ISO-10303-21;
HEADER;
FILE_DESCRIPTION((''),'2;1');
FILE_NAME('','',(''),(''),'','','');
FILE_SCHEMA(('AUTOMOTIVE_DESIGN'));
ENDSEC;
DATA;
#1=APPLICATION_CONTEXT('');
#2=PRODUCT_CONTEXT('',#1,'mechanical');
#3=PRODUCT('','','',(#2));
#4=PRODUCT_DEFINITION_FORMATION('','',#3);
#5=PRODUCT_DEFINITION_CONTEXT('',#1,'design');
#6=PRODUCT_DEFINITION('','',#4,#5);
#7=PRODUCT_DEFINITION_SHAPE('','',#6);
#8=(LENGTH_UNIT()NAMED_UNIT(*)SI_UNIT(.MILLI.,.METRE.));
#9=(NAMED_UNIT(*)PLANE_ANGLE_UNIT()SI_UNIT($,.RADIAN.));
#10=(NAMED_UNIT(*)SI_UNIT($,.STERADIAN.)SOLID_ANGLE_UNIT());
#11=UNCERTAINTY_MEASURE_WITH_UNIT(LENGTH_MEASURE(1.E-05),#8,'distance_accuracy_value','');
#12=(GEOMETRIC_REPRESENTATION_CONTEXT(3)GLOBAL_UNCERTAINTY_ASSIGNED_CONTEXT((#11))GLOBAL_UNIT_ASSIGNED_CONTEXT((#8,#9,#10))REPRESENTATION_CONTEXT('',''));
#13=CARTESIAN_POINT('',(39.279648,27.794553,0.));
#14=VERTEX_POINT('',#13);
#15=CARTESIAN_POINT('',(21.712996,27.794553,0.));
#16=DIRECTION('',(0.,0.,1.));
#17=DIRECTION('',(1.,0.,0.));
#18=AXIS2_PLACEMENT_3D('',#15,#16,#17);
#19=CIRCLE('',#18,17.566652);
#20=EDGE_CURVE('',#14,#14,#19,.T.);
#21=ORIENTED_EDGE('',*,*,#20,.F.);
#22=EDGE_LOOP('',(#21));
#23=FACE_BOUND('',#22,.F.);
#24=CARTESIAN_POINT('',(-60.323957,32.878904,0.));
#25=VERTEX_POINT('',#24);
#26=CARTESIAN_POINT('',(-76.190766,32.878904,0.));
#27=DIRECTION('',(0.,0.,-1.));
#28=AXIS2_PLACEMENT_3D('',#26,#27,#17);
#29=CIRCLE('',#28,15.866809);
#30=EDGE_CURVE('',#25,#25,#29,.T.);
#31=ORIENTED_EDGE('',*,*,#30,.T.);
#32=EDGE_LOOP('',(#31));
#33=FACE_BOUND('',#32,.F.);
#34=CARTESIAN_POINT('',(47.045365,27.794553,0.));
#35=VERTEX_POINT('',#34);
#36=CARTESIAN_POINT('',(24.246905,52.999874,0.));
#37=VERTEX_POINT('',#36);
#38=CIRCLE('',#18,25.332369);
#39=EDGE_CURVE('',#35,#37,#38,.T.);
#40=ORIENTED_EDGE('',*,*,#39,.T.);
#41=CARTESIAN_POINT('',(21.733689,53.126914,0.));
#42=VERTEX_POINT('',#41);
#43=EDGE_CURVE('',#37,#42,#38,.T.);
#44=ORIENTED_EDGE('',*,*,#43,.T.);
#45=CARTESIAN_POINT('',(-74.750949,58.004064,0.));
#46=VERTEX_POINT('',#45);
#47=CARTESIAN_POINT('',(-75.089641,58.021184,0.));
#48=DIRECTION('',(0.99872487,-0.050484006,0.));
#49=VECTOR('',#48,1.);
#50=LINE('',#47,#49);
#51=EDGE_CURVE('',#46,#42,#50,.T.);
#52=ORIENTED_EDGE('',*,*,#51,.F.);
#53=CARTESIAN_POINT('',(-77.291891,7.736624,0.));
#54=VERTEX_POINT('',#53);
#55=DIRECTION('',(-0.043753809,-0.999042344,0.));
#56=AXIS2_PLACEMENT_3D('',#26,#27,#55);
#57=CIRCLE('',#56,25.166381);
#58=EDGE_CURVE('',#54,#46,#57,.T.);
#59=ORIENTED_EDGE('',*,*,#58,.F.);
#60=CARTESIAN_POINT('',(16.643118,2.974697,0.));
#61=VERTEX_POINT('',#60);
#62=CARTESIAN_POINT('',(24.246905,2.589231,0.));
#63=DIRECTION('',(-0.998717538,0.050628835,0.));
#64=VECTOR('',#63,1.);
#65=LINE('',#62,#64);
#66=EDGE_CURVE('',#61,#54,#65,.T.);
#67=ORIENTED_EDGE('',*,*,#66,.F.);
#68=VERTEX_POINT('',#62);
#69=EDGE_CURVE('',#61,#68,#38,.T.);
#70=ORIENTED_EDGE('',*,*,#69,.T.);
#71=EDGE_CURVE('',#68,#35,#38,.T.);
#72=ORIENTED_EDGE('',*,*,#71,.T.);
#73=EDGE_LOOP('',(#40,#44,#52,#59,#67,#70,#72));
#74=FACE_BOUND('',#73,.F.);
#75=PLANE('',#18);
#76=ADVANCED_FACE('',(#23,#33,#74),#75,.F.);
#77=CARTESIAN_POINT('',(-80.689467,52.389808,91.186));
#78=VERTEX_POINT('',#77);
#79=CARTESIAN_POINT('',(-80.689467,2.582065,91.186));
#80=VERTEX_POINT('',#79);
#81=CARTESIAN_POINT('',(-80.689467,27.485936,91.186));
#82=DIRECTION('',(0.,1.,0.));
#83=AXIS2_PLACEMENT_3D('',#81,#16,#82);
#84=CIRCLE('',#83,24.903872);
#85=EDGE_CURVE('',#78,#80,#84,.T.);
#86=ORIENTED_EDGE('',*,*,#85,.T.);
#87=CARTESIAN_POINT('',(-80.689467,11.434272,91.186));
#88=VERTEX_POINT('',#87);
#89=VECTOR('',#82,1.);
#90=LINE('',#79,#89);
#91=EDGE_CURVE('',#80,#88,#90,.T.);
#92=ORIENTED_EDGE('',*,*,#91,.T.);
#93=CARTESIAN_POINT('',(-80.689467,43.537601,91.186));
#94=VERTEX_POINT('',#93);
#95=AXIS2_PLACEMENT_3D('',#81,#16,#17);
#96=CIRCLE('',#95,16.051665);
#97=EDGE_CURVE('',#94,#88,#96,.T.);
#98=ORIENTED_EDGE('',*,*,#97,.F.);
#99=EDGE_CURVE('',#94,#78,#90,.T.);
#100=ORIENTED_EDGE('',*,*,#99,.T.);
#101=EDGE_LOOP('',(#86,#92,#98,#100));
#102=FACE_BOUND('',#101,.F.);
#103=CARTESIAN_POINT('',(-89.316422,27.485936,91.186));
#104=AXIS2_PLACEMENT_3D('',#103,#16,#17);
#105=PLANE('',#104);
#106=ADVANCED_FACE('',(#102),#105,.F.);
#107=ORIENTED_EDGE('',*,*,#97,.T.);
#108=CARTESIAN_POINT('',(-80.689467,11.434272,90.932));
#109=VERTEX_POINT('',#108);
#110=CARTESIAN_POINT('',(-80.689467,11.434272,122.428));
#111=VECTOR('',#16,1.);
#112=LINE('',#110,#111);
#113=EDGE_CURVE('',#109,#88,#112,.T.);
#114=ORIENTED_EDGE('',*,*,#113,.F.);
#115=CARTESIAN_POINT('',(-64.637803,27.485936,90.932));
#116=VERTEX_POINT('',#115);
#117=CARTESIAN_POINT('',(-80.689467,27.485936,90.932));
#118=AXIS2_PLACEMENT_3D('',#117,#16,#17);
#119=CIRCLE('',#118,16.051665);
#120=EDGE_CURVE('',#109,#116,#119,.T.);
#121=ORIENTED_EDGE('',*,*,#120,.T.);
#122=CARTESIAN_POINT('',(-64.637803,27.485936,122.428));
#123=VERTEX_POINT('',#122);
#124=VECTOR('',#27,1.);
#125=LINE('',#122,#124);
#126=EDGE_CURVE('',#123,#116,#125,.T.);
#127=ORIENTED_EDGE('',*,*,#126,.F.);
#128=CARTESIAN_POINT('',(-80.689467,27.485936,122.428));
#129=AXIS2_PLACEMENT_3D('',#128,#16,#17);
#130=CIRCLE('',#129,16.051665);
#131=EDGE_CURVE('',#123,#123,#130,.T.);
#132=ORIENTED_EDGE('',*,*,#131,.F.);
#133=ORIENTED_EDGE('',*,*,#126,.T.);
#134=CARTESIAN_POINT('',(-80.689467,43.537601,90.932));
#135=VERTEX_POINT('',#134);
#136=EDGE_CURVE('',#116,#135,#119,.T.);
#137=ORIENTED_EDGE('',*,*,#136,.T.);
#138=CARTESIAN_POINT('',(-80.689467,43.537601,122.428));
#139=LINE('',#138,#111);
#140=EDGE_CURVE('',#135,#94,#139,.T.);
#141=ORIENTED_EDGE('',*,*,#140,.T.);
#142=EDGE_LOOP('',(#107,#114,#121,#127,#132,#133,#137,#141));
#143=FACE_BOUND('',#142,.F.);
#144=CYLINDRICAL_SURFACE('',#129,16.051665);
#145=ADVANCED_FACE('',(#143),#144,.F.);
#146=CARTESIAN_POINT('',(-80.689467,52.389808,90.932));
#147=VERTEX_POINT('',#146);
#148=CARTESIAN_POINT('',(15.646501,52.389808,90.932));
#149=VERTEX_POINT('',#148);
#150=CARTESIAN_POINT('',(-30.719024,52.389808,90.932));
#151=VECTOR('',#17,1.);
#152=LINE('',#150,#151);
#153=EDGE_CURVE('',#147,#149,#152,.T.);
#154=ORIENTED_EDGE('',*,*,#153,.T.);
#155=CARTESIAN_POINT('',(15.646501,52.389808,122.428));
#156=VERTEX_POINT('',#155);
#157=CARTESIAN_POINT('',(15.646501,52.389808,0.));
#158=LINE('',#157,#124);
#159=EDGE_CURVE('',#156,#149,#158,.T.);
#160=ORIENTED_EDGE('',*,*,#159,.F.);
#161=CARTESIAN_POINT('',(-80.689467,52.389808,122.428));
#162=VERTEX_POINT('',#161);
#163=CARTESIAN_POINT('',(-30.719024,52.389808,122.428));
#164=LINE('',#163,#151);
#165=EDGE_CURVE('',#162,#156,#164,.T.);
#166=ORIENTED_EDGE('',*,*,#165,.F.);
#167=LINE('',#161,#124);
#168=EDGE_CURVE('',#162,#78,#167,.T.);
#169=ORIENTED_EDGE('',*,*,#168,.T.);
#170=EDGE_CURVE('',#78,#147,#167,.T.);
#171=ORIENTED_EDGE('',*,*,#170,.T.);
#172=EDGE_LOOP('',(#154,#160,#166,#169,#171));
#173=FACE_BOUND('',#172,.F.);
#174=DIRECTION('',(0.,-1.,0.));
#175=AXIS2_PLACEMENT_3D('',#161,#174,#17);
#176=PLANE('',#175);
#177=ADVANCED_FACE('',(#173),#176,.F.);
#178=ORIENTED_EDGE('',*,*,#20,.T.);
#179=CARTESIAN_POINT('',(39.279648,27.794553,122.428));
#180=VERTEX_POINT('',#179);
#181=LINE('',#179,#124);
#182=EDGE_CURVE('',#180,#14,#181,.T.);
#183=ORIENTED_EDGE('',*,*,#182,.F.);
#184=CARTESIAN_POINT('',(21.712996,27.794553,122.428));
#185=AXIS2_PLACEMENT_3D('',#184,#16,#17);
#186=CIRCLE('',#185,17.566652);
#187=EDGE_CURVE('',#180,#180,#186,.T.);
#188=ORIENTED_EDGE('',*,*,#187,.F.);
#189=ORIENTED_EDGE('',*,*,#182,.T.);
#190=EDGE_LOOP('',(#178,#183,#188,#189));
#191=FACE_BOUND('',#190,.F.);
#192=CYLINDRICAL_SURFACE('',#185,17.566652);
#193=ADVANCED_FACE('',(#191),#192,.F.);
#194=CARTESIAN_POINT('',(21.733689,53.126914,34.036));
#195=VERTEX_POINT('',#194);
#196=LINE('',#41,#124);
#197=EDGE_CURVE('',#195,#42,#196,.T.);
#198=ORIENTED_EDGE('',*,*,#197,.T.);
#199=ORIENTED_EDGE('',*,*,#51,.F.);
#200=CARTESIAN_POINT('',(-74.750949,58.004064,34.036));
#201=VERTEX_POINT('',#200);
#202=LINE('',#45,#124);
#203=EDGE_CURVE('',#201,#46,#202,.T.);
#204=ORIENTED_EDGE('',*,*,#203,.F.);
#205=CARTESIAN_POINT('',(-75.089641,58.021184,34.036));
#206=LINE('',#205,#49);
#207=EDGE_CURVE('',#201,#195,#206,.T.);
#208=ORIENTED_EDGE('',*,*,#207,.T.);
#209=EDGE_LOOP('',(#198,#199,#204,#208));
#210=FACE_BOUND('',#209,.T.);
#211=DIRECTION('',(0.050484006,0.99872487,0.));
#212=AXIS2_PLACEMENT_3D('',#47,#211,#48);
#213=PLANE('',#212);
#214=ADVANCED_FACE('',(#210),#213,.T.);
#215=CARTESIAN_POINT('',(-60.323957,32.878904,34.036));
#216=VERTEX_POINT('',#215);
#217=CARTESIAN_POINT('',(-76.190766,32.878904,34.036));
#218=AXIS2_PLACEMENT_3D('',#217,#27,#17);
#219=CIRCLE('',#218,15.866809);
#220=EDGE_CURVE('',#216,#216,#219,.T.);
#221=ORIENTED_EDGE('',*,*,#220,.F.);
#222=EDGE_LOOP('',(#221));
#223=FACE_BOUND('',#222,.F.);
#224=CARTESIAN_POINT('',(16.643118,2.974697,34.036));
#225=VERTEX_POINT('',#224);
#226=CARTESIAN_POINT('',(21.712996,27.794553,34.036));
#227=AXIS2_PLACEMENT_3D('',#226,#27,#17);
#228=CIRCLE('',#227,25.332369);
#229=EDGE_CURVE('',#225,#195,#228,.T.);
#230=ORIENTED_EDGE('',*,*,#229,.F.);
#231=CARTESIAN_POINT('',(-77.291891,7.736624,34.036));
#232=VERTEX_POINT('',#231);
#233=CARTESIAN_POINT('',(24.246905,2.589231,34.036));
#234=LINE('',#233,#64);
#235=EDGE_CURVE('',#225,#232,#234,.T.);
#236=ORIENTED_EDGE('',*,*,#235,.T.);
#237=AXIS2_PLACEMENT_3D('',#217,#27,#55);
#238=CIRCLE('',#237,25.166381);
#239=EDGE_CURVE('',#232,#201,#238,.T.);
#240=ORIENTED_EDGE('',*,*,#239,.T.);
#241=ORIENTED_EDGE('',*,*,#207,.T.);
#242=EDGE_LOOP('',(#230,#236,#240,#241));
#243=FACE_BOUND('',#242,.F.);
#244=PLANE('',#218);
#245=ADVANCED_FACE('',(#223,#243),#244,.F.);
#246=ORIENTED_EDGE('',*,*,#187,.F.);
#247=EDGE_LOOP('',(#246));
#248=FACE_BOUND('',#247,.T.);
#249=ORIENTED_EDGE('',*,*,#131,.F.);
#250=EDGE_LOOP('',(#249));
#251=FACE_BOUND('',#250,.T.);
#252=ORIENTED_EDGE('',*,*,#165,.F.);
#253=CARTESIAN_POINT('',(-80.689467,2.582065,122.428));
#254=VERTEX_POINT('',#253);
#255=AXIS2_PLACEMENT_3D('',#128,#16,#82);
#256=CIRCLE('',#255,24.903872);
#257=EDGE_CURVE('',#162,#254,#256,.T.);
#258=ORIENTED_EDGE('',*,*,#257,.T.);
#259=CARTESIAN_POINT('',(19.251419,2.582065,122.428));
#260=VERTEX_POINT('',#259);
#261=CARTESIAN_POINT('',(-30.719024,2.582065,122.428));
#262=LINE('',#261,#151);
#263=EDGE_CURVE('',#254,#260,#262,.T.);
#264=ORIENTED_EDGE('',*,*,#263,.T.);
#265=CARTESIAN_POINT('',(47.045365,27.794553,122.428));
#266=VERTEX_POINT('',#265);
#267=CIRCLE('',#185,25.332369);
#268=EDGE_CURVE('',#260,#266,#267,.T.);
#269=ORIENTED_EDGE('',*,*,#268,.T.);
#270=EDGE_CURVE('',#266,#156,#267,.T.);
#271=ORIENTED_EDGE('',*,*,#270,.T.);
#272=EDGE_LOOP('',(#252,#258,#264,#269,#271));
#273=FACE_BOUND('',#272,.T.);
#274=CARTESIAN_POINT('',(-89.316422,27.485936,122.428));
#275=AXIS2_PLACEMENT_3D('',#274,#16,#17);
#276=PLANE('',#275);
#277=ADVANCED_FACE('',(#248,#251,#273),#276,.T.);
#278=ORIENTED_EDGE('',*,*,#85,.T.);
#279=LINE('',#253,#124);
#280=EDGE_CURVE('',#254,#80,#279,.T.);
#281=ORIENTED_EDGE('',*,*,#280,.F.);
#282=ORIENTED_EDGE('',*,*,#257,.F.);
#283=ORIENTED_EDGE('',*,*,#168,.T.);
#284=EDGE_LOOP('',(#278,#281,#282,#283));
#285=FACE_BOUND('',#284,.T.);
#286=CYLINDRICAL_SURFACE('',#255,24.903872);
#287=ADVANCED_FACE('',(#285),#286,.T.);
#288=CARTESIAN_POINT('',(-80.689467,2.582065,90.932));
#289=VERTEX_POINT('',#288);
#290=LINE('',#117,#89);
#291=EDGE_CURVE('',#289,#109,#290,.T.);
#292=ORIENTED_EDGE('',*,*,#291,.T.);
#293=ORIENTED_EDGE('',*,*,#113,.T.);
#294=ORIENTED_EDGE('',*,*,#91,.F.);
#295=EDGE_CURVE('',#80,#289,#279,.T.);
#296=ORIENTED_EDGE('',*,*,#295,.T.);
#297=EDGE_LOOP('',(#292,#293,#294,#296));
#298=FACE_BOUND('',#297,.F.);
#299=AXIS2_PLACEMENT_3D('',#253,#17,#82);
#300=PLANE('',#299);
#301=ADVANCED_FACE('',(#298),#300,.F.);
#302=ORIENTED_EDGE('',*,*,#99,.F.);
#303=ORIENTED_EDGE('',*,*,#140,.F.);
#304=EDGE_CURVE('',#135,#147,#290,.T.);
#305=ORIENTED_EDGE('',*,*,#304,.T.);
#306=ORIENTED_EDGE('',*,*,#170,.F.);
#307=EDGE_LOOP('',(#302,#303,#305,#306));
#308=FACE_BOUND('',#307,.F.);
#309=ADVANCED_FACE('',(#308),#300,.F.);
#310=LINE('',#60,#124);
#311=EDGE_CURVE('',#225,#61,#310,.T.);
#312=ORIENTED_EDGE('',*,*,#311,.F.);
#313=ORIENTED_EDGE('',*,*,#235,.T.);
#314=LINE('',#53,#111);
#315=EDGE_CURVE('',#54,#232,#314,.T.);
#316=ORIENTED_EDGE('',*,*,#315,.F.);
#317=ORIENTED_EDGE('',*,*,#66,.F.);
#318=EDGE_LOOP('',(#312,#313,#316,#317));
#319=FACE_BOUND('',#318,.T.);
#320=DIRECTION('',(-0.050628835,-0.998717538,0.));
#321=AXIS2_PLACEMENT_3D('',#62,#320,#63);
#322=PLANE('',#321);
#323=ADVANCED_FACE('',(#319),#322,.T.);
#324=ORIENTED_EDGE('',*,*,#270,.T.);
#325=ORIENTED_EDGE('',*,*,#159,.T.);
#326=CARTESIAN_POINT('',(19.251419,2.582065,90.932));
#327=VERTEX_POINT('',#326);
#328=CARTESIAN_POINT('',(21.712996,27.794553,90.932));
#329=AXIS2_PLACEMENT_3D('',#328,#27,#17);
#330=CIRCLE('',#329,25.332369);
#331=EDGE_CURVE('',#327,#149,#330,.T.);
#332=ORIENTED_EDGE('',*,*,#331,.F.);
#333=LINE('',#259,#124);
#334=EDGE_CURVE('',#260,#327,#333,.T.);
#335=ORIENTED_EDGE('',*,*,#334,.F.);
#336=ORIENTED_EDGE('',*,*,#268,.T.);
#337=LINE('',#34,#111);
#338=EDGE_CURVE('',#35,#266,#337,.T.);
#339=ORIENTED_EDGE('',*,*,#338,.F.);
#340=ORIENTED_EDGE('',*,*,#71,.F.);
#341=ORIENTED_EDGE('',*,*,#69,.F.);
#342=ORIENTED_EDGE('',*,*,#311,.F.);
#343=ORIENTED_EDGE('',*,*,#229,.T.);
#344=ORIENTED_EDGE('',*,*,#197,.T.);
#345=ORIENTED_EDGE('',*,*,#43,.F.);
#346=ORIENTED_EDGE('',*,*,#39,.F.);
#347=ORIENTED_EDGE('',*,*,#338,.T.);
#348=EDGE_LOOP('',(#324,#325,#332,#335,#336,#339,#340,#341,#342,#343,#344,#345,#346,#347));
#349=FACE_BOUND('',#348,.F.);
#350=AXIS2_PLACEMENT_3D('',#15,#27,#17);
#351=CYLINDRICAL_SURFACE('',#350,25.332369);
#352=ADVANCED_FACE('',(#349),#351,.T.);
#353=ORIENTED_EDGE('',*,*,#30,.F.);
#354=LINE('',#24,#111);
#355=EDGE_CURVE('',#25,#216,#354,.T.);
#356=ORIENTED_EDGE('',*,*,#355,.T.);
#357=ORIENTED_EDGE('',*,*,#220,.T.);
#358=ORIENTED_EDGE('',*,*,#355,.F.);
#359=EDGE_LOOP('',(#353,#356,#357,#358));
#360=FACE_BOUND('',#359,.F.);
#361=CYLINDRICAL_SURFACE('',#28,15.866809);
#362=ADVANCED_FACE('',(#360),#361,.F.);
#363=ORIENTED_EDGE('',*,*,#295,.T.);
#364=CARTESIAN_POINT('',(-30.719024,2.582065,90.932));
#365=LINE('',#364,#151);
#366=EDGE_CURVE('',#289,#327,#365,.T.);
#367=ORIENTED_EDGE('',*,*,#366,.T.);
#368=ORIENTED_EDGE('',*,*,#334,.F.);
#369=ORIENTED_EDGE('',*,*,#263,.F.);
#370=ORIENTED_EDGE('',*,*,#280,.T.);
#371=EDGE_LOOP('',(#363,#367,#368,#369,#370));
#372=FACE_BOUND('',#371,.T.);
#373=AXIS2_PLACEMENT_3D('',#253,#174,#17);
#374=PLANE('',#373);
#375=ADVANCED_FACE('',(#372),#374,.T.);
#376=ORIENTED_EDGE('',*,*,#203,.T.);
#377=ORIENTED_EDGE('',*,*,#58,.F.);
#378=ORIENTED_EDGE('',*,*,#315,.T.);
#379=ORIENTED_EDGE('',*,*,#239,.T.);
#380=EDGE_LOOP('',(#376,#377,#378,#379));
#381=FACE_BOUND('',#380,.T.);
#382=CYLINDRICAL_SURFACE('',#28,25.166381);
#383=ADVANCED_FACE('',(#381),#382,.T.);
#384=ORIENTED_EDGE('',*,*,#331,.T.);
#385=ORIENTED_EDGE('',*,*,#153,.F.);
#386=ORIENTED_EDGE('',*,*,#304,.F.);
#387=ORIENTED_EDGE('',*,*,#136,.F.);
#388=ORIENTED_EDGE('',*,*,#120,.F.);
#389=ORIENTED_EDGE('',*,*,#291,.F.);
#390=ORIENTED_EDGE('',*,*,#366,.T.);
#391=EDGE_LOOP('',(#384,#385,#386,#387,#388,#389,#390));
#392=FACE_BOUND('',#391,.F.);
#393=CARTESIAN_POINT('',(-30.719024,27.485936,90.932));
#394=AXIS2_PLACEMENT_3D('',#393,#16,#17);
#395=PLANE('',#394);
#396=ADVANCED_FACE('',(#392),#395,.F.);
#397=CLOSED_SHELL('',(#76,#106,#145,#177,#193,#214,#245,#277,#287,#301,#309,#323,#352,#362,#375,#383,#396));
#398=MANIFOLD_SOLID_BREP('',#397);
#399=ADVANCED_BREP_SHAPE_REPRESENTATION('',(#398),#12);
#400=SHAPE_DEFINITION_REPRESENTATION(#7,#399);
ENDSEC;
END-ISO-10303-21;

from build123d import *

# Parameters (mm, degrees)
F0_R      = 25.332369153
F1_DEPTH  = 122.428
F3_DEPTH  = 34.036
F4_R      = 25.1663808995
F5_DEPTH  = 34.036
F6_W      = 99.9408867977
F6_H      = 49.807743342
F7_DEPTH  = 31.496
F9_DEPTH  = 31.242
F11_R     = 15.866808683
F12_DEPTH = 52.832
F10_R     = 16.051664823
F13_DEPTH = 70.104
F14_R     = 17.5666522391
F15_DEPTH = 262.382


with BuildPart() as f1:
    # F0 (on Top) → F1 (new body)
    with BuildSketch(Plane.XY):
        with Locations((21.7129960656, 27.794552967)):
            Circle(F0_R)
    extrude(amount=F1_DEPTH)

    # F2 (on face) → F3 (join)
    with BuildSketch(Plane(origin=(0, 0, 0), x_dir=(1, 0, 0), z_dir=(0, 0, -1))):
        with BuildLine():
            ThreePointArc((24.2469048948, -42.8027561924), (33.3369903631, -37.6205193104), (36.9336024271, -27.794552967))
            ThreePointArc((36.9336024271, -27.794552967), (33.3369903631, -17.9685866235), (24.2469048948, -12.7863497415))
            Line((24.2469048948, -12.7863497415), (24.2469048948, -42.8027561924))
        make_face()
        with BuildLine():
            Line((24.2469048948, -42.8027561924), (24.2469048948, -12.7863497415))
            ThreePointArc((24.2469048948, -12.7863497415), (6.4923897041, -27.794552967), (24.2469048948, -42.8027561924))
        make_face()
        with BuildLine():
            ThreePointArc((24.2469048948, -42.8027561924), (6.4923897041, -27.794552967), (24.2469048948, -12.7863497415))
            Line((24.2469048948, -12.7863497415), (24.2469048948, -2.5892314465))
            Line((24.2469048948, -2.5892314465), (-77.2918909788, -7.7366237529))
            Line((-77.2918909788, -7.7366237529), (-75.0896409154, -58.021184057))
            Line((-75.0896409154, -58.021184057), (24.2469048948, -52.9998744874))
            Line((24.2469048948, -52.9998744874), (24.2469048948, -42.8027561924))
        make_face()
        with BuildLine():
            ThreePointArc((21.7336893247, -53.1269136681), (-3.4898764651, -30.3527052507), (16.6431184636, -2.9746966417))
            Line((16.6431184636, -2.9746966417), (-77.2918909788, -7.7366237529))
            Line((-77.2918909788, -7.7366237529), (-75.0896409154, -58.021184057))
            Line((-75.0896409154, -58.021184057), (21.7336893247, -53.1269136681))
        make_face()
    extrude(amount=-F3_DEPTH)

    # F4 (on face) → F5 (join)
    with BuildSketch(Plane(origin=(0, 0, 0), x_dir=(1, 0, 0), z_dir=(0, 0, -1))):
        with Locations((-76.1907659471, -32.8789039049)):
            Circle(F4_R)
    extrude(amount=-F5_DEPTH)

    # F6 (on face) → F7 (join)
    with BuildSketch(Plane.XY.offset(122.428)):
        with Locations((-30.7190240909, 27.4859363282)):
            Rectangle(F6_W, F6_H)
    extrude(amount=-F7_DEPTH)

    # F8 (on face) → F9 (join)
    with BuildSketch(Plane.XY.offset(122.428)):
        with BuildLine():
            Line((-80.6894674897, 2.5820646572), (-80.6894674897, 52.3898079991))
            ThreePointArc((-80.6894674897, 52.3898079991), (-105.5933391607, 27.4859363282), (-80.6894674897, 2.5820646572))
        make_face()
    extrude(amount=-F9_DEPTH)

    # F11 (on face) → F12 (cut)
    with BuildSketch(Plane(origin=(0, 0, 0), x_dir=(1, 0, 0), z_dir=(0, 0, -1))):
        with Locations((-76.1907659471, -32.8789039049)):
            Circle(F11_R)
    extrude(amount=-F12_DEPTH, mode=Mode.SUBTRACT)

    # F10 (on face) → F13 (cut)
    with BuildSketch(Plane.XY.offset(122.428)):
        with Locations((-80.6894674897, 27.4859363282)):
            Circle(F10_R)
    extrude(amount=-F13_DEPTH, mode=Mode.SUBTRACT)

    # F14 (on face) → F15 (cut)
    with BuildSketch(Plane.XY.offset(122.428)):
        with Locations((21.7129960656, 27.794552967)):
            Circle(F14_R)
    extrude(amount=-F15_DEPTH, mode=Mode.SUBTRACT)


solid = f1.part
